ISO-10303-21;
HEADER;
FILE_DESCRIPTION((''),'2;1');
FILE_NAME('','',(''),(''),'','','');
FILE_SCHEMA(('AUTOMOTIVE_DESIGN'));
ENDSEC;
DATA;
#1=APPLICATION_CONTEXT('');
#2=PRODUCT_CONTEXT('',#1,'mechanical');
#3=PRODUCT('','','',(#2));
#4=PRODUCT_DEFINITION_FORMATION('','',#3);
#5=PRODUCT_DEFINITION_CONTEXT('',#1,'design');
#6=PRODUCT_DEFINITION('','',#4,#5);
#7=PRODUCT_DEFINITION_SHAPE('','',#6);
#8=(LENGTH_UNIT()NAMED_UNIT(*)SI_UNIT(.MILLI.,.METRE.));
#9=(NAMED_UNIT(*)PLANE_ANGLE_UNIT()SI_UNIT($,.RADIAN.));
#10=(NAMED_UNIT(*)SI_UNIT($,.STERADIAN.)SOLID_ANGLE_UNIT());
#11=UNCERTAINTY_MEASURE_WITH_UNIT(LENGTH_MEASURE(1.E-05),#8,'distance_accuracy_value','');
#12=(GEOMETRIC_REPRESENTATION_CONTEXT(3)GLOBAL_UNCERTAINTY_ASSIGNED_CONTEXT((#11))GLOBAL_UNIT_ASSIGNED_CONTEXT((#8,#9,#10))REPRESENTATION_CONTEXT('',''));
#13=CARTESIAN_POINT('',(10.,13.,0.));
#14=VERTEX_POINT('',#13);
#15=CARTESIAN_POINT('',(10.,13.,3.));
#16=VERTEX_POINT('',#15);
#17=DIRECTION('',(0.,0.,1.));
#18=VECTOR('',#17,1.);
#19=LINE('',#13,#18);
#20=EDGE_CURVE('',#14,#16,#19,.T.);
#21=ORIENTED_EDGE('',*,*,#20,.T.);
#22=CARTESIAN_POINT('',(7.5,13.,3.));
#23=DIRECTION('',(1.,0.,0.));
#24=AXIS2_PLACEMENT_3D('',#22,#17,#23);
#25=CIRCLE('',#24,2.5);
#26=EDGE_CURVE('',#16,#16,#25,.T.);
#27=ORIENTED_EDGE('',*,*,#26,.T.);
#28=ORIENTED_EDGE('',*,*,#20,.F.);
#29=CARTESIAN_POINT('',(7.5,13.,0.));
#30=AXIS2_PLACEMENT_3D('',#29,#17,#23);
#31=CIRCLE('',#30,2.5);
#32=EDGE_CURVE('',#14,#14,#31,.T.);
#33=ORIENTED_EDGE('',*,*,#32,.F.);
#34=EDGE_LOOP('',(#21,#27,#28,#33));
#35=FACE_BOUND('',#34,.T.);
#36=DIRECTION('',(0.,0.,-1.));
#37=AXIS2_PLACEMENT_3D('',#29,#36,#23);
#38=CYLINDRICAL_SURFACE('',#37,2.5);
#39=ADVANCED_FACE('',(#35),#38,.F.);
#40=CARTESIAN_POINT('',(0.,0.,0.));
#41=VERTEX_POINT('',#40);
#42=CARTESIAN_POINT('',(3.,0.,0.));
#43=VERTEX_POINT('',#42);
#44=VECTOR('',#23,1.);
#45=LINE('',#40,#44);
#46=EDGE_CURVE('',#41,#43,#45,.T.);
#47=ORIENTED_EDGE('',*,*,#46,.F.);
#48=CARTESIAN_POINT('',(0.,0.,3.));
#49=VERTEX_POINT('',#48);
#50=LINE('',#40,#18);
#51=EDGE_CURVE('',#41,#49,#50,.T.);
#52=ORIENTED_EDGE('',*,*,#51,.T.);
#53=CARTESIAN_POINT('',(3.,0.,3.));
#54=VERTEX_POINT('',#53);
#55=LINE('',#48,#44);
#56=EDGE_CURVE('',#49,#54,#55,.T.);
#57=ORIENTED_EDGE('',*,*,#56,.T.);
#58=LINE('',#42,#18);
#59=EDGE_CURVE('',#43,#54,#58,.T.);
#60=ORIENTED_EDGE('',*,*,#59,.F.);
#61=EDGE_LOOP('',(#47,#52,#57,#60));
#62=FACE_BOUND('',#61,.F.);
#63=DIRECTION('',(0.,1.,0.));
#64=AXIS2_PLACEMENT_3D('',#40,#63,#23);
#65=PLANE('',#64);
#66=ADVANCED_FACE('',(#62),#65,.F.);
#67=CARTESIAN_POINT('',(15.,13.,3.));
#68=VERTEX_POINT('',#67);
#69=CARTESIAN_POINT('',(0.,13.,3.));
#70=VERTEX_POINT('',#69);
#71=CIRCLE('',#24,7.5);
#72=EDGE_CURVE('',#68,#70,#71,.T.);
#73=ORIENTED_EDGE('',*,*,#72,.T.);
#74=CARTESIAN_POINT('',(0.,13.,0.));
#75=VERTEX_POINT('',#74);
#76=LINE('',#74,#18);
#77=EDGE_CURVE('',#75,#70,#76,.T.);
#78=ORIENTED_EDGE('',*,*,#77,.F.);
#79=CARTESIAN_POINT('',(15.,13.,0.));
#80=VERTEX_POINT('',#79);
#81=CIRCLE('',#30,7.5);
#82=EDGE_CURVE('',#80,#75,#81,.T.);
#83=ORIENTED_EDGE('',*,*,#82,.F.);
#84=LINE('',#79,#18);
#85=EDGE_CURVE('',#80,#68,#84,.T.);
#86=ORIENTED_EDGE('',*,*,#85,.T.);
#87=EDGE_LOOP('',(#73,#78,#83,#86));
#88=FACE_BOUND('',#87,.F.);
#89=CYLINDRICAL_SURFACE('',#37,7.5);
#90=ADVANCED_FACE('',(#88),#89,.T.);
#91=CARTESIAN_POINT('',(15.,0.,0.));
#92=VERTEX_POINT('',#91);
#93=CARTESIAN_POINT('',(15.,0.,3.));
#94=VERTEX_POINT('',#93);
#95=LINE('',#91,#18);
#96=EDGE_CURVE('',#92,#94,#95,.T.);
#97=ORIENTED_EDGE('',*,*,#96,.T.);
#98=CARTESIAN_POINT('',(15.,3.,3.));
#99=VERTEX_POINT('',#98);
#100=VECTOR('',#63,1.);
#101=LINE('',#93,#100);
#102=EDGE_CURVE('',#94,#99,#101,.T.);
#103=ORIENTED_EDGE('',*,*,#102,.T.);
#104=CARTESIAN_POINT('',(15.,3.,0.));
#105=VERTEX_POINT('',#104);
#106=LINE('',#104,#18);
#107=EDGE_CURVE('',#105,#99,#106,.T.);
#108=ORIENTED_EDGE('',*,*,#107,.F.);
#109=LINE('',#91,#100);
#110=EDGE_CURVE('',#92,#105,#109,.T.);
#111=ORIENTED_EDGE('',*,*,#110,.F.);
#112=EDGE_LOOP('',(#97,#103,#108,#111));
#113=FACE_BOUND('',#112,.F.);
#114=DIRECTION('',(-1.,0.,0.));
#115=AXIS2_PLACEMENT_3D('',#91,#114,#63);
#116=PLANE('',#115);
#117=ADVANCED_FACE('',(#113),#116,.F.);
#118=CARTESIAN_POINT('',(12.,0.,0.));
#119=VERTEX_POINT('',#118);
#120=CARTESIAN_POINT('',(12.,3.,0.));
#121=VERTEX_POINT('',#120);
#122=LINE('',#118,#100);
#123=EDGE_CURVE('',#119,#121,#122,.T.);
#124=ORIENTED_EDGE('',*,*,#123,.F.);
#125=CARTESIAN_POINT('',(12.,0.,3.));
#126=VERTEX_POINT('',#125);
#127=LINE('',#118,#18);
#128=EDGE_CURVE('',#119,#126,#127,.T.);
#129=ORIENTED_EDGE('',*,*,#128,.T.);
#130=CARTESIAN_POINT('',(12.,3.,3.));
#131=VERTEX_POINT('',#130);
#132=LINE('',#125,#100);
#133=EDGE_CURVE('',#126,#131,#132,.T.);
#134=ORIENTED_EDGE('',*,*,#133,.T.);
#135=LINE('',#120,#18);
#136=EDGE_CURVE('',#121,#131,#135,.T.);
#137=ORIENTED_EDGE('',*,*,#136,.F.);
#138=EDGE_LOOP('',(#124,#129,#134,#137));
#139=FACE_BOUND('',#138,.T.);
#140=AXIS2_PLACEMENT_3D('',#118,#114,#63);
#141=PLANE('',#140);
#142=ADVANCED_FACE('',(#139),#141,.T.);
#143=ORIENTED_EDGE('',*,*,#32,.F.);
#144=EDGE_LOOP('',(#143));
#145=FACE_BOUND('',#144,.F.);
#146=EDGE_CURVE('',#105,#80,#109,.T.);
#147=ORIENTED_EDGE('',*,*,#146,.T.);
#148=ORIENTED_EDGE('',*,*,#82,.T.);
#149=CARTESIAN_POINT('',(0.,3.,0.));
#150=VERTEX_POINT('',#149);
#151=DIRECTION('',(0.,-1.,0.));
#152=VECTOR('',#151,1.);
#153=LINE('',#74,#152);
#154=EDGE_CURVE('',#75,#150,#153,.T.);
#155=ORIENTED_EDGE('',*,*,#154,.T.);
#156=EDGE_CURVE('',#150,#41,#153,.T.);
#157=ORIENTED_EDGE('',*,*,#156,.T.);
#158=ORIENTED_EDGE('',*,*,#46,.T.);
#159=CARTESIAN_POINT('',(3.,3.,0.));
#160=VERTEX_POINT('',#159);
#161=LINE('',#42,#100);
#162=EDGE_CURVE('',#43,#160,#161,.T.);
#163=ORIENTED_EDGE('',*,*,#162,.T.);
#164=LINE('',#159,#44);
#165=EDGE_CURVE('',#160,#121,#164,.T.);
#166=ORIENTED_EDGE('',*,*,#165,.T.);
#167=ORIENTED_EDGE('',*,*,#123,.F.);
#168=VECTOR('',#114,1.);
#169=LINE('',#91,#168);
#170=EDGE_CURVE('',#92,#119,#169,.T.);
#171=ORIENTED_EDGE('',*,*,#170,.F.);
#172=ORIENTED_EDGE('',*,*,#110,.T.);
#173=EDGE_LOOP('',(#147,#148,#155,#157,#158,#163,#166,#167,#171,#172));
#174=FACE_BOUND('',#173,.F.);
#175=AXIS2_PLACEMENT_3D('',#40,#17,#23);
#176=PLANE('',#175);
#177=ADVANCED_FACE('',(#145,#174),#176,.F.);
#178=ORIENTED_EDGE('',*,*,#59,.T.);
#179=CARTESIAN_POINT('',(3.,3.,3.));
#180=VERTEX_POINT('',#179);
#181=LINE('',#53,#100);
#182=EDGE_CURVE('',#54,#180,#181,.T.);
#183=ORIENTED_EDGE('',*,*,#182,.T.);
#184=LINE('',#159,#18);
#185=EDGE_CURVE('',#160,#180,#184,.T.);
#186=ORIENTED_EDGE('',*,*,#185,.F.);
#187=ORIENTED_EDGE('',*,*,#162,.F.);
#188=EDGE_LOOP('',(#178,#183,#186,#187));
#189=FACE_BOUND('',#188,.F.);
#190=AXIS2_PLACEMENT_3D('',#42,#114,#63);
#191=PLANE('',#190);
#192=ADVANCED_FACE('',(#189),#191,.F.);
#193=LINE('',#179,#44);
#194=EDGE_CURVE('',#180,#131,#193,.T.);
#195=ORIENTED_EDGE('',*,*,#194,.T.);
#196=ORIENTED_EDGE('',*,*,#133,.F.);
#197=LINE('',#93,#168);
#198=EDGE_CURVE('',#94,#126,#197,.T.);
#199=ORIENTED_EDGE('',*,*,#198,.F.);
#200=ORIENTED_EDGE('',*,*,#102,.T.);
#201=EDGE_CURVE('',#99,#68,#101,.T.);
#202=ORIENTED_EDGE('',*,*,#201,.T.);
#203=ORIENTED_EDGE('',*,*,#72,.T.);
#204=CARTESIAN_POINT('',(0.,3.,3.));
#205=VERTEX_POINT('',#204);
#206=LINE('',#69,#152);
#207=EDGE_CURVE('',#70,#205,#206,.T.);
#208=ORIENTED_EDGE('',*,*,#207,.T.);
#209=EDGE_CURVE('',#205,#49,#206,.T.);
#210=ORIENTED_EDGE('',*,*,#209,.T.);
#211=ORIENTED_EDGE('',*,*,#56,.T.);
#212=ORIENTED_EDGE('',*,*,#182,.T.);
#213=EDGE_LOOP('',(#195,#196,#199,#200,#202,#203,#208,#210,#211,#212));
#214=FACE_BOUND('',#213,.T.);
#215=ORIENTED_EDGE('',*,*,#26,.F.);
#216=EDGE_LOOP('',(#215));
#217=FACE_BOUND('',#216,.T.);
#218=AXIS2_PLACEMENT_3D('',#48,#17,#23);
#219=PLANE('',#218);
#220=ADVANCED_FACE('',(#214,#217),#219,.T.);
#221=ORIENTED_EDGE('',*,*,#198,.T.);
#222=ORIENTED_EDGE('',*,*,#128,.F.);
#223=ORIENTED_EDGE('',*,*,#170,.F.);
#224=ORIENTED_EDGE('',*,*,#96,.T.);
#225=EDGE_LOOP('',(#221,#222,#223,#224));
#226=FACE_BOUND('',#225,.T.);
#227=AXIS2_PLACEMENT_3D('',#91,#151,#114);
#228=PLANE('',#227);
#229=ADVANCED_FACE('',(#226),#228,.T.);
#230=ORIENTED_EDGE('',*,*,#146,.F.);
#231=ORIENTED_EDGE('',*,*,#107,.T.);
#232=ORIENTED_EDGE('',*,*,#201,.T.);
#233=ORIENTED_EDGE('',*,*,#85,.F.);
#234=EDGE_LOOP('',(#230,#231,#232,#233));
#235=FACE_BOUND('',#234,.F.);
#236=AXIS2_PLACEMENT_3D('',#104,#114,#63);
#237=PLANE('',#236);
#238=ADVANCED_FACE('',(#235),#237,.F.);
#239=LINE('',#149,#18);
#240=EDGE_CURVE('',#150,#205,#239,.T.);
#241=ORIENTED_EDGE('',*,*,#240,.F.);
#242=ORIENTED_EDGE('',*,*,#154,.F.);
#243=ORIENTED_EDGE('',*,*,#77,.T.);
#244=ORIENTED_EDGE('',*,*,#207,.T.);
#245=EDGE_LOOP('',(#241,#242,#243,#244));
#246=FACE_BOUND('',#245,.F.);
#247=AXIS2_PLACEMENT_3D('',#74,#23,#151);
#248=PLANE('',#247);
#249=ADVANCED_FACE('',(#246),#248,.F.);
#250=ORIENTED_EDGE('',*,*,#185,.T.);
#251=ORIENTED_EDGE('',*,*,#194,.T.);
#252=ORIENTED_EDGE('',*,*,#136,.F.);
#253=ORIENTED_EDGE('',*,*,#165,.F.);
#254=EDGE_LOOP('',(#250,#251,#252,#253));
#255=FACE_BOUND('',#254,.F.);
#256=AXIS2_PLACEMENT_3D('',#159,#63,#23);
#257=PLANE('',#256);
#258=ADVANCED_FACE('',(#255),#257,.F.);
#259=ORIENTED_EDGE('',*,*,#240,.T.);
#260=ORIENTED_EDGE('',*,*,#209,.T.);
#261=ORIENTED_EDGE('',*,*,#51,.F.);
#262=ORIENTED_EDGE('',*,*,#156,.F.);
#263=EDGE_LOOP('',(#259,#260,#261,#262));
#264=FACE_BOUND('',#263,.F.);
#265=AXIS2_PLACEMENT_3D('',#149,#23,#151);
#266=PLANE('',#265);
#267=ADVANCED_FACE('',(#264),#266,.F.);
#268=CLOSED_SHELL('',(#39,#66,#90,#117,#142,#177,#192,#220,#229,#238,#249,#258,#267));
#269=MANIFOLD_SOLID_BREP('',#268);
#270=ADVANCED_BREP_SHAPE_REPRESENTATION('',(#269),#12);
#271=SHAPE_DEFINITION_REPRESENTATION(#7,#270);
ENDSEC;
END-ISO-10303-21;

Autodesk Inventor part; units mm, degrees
ref_plane "YZ Plane" through (0, 0, 0) normal (1, 0, 0) x (0, 1, 0)
ref_plane "XZ Plane" through (0, 0, 0) normal (0, 1, 0) x (-1, 0, 0)
ref_plane "XY Plane" through (0, 0, 0) normal (0, 0, 1) x (1, 0, 0)
sketch "Sketch1" plane through (0, 0, 0) normal (0, 0, 1) x (1, 0, 0)
  line L0 (15, 0) -> (15, 13)
  line L1 (0, 13) -> (0, 0)
  arc A0 (15, 13) -> (0, 13) centre (7.5, 13) ccw
  circle A1 centre (7.5, 13) radius 2.5
  line L2 (0, 0) -> (3, 0)
  line L3 (3, 0) -> (3, 3)
  line L4 (0, 3) -> (0, 0)
  line L5 (15, 0) -> (12, 0)
  line L6 (12, 0) -> (12, 3)
  line L7 (15, 3) -> (15, 0)
  line L8 (3, 3) -> (12, 3)
  line L9 (0, 0) -> (3, 0)
  line L10 (12, 0) -> (15, 0)
  dimension "d0" = 15
  dimension "d1" = 13
  dimension "d2" = 5
extrude "Extrusion1" add sketch "Sketch1" along normal blind 3
properties part number "Connector_2"
